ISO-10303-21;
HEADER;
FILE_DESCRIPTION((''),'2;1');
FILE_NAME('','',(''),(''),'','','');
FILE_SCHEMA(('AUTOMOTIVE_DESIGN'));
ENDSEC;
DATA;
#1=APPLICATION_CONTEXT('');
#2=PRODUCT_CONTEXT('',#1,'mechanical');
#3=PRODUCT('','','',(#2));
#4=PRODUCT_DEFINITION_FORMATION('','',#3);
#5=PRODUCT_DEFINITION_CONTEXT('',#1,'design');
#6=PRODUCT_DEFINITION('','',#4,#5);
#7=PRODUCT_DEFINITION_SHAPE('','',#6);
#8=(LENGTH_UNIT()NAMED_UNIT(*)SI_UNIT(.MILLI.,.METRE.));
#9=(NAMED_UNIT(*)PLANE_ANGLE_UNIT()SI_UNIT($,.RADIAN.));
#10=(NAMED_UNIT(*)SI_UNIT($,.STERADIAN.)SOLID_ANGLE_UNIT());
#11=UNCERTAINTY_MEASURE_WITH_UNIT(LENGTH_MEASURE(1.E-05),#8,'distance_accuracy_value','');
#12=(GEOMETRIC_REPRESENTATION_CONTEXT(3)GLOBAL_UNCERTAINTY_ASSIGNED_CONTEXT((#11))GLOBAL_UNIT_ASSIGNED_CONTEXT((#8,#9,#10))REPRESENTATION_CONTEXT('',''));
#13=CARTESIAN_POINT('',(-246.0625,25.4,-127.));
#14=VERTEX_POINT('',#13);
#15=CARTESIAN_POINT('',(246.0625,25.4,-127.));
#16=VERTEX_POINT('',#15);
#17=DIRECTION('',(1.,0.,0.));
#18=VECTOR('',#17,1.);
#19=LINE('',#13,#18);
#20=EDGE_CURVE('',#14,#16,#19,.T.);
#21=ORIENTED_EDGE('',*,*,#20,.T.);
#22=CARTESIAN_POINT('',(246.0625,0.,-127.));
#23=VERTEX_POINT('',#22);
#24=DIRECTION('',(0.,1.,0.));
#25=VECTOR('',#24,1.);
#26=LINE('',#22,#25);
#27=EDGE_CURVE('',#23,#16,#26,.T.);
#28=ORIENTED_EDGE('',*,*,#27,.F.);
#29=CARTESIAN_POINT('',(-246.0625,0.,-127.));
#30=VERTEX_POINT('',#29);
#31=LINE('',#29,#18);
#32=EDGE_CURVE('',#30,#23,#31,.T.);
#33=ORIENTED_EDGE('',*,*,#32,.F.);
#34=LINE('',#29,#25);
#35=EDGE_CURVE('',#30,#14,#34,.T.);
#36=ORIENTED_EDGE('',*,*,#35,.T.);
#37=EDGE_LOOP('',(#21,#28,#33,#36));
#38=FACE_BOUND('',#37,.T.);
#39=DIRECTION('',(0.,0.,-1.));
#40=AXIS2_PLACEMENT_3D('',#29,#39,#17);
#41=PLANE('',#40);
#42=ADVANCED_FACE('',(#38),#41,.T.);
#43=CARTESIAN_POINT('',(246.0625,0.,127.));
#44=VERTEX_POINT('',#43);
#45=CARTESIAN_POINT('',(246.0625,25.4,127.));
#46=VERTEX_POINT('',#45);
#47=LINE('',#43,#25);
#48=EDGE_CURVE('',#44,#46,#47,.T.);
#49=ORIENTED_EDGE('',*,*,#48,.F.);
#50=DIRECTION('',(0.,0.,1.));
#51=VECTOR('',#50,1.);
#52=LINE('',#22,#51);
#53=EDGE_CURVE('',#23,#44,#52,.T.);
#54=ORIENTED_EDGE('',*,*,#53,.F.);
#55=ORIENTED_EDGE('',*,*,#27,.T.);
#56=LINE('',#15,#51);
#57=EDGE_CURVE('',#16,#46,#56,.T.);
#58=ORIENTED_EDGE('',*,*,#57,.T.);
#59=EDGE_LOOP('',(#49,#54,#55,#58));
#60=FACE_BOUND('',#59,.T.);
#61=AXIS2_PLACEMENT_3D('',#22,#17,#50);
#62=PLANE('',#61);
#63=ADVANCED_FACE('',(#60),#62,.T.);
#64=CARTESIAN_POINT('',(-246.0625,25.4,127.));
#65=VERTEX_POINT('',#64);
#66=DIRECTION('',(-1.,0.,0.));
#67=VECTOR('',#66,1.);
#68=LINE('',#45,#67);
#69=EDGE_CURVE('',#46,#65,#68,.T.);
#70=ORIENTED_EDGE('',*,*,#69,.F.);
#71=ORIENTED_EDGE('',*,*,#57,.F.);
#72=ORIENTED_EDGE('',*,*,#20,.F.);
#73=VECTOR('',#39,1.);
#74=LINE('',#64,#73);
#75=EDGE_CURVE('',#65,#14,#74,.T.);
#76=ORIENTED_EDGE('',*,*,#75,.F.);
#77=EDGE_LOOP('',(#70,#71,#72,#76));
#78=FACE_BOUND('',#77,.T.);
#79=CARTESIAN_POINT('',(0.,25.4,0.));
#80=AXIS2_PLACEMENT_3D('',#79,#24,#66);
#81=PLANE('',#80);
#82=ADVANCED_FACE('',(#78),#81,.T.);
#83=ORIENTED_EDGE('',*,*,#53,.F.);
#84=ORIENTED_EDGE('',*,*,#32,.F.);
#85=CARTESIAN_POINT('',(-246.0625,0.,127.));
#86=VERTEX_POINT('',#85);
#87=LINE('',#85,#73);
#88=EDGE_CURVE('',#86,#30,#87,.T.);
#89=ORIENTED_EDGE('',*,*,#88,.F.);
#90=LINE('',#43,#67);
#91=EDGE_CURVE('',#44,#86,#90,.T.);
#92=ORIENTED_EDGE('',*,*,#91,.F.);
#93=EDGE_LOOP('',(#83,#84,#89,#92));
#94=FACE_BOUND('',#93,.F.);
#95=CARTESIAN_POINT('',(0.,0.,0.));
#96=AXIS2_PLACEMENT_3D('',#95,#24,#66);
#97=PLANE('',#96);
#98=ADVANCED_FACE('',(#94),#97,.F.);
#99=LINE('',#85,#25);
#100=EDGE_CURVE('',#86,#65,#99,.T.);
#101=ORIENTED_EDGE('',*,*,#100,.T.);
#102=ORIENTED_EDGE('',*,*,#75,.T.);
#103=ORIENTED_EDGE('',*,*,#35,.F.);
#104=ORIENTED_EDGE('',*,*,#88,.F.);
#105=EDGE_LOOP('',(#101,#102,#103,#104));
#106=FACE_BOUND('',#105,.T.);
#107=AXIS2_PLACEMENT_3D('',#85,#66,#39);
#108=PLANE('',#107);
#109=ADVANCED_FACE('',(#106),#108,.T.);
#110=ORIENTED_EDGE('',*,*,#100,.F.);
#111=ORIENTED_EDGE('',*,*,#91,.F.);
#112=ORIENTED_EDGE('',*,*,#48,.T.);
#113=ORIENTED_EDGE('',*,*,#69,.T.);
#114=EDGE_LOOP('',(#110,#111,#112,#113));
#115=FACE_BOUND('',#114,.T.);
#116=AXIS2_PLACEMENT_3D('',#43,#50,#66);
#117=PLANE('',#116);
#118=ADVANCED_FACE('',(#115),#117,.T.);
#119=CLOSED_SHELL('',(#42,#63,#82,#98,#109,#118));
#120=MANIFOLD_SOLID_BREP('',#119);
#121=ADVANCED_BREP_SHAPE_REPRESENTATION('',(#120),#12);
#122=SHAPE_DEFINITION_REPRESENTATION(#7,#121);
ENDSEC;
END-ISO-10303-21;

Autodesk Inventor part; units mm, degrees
ref_plane "YZ Plane" through (0, 0, 0) normal (1, 0, 0) x (0, 1, 0)
ref_plane "XZ Plane" through (0, 0, 0) normal (0, 1, 0) x (-1, 0, 0)
ref_plane "XY Plane" through (0, 0, 0) normal (0, 0, 1) x (1, 0, 0)
sketch "Sketch1" plane through (0, 0, 0) normal (0, 1, 0) x (-1, 0, 0)
  line L0 (246.0625, -127) -> (-246.0625, -127)
  line L1 (-246.0625, -127) -> (-246.0625, 127)
  line L2 (-246.0625, 127) -> (246.0625, 127)
  line L3 (246.0625, 127) -> (246.0625, -127)
  line L4 (246.0625, -127) -> (-246.0625, 127) construction
  line L5 (-246.0625, -127) -> (246.0625, 127) construction
  point P0 (0, 0)
  dimension "d0" = 492.125
  dimension "d1" = 254
extrude "Extrusion1" add sketch "Sketch1" along normal blind 25.4
properties part number "Stone base" material "Limestone"
